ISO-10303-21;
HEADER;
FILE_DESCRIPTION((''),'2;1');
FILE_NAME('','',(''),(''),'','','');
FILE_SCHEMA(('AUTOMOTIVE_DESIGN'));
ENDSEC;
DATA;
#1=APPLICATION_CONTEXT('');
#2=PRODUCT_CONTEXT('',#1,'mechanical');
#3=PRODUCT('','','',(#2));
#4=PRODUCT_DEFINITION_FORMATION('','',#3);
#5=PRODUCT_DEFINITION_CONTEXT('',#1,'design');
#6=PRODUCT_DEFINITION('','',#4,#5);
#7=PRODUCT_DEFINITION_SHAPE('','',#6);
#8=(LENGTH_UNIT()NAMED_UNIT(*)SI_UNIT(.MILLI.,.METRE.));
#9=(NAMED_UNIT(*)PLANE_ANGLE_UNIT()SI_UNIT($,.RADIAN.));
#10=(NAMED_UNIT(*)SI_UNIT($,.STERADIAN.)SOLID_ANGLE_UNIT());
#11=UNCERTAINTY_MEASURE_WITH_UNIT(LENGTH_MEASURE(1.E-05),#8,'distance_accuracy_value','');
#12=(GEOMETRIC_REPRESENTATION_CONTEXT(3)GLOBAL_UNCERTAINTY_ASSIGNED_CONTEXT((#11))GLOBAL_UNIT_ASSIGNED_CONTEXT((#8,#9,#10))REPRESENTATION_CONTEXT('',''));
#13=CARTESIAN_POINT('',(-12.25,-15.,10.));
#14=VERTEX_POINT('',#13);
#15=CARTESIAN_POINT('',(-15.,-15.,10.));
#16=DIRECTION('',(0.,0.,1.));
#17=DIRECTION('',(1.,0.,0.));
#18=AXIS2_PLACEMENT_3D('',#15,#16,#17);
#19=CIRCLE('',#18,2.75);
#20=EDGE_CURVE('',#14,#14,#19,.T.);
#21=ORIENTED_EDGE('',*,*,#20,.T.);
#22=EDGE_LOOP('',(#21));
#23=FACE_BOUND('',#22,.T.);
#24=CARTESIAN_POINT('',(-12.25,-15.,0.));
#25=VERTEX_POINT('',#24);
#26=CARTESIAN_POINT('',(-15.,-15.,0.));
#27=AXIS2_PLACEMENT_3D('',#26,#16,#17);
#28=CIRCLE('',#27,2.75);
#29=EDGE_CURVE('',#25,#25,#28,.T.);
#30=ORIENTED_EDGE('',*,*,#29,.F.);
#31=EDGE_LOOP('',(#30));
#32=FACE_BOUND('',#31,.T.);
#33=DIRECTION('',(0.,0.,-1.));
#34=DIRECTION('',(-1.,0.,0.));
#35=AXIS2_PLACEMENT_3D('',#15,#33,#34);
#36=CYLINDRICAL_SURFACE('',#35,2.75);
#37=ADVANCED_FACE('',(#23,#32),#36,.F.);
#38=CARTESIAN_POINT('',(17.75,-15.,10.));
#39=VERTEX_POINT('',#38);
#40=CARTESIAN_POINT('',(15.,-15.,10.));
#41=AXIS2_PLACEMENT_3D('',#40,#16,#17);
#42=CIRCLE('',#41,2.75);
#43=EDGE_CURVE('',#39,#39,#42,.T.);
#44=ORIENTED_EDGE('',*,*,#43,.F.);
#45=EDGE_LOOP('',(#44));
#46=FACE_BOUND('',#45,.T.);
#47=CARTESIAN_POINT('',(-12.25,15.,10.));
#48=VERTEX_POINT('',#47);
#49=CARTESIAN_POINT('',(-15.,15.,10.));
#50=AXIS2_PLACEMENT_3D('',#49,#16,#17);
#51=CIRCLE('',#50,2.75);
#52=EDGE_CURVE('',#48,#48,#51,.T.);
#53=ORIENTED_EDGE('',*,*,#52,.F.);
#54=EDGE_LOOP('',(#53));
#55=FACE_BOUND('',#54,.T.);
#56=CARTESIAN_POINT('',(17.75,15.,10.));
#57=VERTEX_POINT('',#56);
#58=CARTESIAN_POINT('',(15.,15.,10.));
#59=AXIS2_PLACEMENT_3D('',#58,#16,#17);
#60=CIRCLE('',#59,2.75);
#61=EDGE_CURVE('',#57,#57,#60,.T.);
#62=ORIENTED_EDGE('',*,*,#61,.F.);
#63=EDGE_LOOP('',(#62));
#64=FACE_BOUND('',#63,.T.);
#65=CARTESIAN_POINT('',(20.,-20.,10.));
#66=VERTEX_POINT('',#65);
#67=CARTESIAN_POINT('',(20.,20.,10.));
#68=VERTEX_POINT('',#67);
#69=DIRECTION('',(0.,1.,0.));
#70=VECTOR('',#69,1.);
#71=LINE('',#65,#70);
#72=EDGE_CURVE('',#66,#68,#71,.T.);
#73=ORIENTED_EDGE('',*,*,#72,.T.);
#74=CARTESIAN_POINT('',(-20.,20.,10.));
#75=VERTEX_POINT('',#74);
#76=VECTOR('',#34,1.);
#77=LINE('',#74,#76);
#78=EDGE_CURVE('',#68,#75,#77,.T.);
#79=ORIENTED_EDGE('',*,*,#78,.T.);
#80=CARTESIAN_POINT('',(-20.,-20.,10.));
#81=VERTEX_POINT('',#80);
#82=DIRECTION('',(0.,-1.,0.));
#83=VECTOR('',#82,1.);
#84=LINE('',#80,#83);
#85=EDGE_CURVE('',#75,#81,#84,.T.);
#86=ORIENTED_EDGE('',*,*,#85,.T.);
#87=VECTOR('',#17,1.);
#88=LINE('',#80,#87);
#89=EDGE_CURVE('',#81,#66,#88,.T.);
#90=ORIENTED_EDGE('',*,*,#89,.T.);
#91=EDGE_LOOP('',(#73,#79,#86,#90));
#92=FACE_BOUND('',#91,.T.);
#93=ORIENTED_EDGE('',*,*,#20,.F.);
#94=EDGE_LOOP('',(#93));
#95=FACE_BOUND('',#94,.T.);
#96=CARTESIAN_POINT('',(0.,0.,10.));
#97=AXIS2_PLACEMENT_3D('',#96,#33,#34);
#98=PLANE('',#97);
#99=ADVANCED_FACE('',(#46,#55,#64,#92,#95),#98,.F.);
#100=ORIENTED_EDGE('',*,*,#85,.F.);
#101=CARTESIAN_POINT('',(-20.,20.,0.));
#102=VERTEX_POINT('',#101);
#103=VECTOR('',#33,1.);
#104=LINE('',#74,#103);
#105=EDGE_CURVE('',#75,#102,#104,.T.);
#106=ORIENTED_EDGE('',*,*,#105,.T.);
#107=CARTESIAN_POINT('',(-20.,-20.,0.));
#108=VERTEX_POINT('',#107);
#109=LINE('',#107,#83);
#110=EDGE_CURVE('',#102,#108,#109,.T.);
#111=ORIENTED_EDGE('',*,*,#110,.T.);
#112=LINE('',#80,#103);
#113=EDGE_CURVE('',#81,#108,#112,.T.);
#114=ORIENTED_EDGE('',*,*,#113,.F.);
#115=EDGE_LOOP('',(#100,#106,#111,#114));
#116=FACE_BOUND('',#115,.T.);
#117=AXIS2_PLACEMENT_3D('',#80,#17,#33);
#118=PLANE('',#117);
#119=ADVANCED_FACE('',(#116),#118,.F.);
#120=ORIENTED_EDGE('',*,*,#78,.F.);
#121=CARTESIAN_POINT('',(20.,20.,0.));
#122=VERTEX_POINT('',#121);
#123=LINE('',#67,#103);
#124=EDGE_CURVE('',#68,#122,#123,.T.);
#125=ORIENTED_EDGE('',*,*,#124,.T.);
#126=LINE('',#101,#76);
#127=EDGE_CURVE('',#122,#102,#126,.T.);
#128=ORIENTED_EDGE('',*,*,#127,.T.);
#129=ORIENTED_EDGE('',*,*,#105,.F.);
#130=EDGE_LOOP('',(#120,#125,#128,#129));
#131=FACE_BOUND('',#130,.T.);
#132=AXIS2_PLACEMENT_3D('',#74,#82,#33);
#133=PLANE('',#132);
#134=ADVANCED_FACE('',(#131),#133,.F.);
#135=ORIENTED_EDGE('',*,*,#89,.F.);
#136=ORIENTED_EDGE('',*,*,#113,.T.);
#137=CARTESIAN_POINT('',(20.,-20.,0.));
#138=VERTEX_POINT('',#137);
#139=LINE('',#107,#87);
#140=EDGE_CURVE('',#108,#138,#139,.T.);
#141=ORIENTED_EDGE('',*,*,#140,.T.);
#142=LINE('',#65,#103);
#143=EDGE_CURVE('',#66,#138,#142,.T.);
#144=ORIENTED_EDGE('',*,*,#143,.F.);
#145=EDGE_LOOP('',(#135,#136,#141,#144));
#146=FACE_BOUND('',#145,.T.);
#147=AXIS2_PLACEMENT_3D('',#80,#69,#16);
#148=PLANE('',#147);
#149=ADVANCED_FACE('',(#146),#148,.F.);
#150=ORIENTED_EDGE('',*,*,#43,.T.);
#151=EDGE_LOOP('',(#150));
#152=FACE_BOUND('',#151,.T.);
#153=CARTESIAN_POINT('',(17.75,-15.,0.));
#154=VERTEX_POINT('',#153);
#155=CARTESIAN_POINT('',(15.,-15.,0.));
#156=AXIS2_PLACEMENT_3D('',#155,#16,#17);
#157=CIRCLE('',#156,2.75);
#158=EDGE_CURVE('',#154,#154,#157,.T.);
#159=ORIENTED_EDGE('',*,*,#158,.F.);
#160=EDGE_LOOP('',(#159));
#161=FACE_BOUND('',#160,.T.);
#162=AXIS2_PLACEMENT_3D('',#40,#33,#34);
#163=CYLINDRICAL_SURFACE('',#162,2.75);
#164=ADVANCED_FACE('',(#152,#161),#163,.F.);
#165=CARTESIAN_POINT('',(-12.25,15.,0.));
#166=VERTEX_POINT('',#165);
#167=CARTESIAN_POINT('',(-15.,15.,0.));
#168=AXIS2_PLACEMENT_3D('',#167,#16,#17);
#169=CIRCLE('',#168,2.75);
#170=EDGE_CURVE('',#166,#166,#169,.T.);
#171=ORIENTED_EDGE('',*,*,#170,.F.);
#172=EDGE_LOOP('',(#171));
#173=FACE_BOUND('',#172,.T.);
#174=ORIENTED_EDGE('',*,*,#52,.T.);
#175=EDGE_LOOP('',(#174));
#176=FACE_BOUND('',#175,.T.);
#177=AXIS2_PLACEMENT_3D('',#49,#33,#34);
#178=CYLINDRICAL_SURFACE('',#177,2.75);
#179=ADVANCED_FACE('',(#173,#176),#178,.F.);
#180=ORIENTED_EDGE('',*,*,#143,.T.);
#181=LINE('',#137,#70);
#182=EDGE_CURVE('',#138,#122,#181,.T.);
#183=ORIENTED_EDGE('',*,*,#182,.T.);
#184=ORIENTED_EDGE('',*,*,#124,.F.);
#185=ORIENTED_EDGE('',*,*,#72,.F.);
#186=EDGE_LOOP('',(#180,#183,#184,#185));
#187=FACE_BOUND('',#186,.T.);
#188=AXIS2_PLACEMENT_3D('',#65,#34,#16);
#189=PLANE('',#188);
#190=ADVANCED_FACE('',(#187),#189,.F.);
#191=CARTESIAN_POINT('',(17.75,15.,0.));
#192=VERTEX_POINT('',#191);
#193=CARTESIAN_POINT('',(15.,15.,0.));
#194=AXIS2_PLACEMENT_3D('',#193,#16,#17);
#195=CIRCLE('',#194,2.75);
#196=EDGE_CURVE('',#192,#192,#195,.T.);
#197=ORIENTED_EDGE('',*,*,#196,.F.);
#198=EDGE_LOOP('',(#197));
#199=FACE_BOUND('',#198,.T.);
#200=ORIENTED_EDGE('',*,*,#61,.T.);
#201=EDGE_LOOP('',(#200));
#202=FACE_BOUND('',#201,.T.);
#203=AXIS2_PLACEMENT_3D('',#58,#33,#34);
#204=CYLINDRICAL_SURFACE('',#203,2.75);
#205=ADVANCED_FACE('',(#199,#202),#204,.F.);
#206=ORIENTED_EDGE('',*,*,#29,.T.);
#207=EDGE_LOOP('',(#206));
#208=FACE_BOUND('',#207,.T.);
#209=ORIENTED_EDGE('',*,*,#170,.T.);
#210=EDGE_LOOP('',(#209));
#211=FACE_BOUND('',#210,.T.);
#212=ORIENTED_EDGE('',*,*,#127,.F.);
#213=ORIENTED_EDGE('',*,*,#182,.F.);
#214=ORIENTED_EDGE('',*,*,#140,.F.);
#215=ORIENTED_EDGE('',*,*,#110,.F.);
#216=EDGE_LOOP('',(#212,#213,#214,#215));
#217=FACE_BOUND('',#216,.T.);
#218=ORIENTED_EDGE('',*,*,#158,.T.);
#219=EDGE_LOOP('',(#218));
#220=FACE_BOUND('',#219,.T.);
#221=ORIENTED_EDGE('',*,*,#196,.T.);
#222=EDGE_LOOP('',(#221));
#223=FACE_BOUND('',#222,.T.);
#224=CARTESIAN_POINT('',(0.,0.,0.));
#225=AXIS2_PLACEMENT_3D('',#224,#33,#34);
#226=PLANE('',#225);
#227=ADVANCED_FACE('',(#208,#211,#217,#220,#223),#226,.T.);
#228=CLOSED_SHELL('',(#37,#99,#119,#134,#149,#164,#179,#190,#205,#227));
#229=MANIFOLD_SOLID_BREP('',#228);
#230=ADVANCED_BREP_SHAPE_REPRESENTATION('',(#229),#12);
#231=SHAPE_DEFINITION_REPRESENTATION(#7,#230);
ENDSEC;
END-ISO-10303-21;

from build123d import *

# Parameters (mm, degrees)
SKETCH_1_W      = 40
SKETCH_1_H      = 40
SKETCH_1_R      = 2.75
EXTRUDE_1_DEPTH = 10


with BuildPart() as part:
    # Эскиз1 → Бобышка-Вытянуть1 (new body)
    with BuildSketch(Plane.XY):
        Rectangle(SKETCH_1_W, SKETCH_1_H)
        with Locations((-15, -15)):
            Circle(SKETCH_1_R, mode=Mode.SUBTRACT)
        with Locations((15, -15)):
            Circle(SKETCH_1_R, mode=Mode.SUBTRACT)
        with Locations((15, 15)):
            Circle(SKETCH_1_R, mode=Mode.SUBTRACT)
        with Locations((-15, 15)):
            Circle(SKETCH_1_R, mode=Mode.SUBTRACT)
    extrude(amount=EXTRUDE_1_DEPTH)


solid = part.part
